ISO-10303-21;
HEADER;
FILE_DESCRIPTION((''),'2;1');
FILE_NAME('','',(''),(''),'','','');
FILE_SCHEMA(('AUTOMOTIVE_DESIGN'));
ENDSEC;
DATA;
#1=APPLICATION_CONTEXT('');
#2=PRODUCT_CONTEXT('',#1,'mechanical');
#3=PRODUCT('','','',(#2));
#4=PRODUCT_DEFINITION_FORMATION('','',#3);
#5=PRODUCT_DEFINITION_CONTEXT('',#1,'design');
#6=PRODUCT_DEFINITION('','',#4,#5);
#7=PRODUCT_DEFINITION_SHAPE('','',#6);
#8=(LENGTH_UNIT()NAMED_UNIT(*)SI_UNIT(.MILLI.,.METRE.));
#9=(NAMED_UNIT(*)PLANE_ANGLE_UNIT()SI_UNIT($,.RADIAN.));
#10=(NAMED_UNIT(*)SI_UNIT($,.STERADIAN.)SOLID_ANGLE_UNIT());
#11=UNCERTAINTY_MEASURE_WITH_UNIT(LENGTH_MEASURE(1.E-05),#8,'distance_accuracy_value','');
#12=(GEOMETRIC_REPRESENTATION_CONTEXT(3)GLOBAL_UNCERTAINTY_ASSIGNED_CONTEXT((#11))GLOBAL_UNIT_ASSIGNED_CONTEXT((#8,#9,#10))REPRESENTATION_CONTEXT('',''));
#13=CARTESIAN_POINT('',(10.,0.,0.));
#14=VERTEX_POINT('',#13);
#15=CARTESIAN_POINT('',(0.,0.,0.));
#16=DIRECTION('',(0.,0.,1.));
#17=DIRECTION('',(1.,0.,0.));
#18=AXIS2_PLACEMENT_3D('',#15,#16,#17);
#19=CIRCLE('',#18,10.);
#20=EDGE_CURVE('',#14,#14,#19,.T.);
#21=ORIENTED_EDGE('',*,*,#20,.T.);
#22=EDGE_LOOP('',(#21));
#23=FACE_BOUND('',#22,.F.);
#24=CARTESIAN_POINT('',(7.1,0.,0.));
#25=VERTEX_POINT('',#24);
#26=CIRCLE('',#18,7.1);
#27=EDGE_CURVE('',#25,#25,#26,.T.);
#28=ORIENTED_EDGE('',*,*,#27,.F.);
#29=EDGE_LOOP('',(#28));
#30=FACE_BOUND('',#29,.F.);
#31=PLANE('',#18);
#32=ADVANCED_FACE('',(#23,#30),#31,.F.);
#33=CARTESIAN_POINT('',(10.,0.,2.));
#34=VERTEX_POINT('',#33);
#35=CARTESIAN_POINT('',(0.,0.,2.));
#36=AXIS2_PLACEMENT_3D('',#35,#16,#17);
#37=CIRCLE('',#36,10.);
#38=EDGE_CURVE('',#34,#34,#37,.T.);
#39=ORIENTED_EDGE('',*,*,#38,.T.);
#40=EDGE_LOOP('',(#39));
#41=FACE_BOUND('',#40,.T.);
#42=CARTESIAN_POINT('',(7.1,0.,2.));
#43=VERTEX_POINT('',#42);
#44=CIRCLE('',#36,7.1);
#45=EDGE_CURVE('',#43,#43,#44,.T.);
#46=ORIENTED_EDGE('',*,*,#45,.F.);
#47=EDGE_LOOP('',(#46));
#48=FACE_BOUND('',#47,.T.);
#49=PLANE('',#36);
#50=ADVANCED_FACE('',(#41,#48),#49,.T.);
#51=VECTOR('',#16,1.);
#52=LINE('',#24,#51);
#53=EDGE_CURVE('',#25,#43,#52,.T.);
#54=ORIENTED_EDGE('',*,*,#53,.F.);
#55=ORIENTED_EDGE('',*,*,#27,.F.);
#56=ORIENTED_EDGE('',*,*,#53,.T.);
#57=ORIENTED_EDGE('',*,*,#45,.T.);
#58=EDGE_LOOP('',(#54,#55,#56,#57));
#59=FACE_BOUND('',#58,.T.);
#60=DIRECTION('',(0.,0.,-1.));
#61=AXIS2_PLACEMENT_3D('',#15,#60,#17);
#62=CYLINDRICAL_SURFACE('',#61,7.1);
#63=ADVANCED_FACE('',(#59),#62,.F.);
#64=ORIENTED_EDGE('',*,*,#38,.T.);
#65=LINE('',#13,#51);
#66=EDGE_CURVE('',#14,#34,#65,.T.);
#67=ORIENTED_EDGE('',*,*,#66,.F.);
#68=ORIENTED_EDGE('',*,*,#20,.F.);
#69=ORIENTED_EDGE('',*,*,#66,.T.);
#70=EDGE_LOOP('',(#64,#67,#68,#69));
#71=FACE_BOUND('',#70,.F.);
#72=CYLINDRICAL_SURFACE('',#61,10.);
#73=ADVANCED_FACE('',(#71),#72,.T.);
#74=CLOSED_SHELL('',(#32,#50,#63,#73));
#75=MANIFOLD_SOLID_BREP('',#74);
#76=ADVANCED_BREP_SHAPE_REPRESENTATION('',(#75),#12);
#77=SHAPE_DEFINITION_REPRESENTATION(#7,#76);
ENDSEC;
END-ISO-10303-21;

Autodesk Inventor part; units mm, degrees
ref_plane "YZ Plane" through (0, 0, 0) normal (1, 0, 0) x (0, 1, 0)
ref_plane "XZ Plane" through (0, 0, 0) normal (0, 1, 0) x (-1, 0, 0)
ref_plane "XY Plane" through (0, 0, 0) normal (0, 0, 1) x (1, 0, 0)
sketch "スケッチ1" plane through (0, 0, 0) normal (0, 0, 1) x (1, 0, 0)
  circle A0 centre (0, 0) radius 7.1
  circle A1 centre (0, 0) radius 10
  dimension "d0" = 14.2
  dimension "d1" = 20
extrude "押し出し1" add sketch "スケッチ1" along normal blind 2
properties part number "原動節2補助パーツ" material "ポリカーボネート、クリア"
